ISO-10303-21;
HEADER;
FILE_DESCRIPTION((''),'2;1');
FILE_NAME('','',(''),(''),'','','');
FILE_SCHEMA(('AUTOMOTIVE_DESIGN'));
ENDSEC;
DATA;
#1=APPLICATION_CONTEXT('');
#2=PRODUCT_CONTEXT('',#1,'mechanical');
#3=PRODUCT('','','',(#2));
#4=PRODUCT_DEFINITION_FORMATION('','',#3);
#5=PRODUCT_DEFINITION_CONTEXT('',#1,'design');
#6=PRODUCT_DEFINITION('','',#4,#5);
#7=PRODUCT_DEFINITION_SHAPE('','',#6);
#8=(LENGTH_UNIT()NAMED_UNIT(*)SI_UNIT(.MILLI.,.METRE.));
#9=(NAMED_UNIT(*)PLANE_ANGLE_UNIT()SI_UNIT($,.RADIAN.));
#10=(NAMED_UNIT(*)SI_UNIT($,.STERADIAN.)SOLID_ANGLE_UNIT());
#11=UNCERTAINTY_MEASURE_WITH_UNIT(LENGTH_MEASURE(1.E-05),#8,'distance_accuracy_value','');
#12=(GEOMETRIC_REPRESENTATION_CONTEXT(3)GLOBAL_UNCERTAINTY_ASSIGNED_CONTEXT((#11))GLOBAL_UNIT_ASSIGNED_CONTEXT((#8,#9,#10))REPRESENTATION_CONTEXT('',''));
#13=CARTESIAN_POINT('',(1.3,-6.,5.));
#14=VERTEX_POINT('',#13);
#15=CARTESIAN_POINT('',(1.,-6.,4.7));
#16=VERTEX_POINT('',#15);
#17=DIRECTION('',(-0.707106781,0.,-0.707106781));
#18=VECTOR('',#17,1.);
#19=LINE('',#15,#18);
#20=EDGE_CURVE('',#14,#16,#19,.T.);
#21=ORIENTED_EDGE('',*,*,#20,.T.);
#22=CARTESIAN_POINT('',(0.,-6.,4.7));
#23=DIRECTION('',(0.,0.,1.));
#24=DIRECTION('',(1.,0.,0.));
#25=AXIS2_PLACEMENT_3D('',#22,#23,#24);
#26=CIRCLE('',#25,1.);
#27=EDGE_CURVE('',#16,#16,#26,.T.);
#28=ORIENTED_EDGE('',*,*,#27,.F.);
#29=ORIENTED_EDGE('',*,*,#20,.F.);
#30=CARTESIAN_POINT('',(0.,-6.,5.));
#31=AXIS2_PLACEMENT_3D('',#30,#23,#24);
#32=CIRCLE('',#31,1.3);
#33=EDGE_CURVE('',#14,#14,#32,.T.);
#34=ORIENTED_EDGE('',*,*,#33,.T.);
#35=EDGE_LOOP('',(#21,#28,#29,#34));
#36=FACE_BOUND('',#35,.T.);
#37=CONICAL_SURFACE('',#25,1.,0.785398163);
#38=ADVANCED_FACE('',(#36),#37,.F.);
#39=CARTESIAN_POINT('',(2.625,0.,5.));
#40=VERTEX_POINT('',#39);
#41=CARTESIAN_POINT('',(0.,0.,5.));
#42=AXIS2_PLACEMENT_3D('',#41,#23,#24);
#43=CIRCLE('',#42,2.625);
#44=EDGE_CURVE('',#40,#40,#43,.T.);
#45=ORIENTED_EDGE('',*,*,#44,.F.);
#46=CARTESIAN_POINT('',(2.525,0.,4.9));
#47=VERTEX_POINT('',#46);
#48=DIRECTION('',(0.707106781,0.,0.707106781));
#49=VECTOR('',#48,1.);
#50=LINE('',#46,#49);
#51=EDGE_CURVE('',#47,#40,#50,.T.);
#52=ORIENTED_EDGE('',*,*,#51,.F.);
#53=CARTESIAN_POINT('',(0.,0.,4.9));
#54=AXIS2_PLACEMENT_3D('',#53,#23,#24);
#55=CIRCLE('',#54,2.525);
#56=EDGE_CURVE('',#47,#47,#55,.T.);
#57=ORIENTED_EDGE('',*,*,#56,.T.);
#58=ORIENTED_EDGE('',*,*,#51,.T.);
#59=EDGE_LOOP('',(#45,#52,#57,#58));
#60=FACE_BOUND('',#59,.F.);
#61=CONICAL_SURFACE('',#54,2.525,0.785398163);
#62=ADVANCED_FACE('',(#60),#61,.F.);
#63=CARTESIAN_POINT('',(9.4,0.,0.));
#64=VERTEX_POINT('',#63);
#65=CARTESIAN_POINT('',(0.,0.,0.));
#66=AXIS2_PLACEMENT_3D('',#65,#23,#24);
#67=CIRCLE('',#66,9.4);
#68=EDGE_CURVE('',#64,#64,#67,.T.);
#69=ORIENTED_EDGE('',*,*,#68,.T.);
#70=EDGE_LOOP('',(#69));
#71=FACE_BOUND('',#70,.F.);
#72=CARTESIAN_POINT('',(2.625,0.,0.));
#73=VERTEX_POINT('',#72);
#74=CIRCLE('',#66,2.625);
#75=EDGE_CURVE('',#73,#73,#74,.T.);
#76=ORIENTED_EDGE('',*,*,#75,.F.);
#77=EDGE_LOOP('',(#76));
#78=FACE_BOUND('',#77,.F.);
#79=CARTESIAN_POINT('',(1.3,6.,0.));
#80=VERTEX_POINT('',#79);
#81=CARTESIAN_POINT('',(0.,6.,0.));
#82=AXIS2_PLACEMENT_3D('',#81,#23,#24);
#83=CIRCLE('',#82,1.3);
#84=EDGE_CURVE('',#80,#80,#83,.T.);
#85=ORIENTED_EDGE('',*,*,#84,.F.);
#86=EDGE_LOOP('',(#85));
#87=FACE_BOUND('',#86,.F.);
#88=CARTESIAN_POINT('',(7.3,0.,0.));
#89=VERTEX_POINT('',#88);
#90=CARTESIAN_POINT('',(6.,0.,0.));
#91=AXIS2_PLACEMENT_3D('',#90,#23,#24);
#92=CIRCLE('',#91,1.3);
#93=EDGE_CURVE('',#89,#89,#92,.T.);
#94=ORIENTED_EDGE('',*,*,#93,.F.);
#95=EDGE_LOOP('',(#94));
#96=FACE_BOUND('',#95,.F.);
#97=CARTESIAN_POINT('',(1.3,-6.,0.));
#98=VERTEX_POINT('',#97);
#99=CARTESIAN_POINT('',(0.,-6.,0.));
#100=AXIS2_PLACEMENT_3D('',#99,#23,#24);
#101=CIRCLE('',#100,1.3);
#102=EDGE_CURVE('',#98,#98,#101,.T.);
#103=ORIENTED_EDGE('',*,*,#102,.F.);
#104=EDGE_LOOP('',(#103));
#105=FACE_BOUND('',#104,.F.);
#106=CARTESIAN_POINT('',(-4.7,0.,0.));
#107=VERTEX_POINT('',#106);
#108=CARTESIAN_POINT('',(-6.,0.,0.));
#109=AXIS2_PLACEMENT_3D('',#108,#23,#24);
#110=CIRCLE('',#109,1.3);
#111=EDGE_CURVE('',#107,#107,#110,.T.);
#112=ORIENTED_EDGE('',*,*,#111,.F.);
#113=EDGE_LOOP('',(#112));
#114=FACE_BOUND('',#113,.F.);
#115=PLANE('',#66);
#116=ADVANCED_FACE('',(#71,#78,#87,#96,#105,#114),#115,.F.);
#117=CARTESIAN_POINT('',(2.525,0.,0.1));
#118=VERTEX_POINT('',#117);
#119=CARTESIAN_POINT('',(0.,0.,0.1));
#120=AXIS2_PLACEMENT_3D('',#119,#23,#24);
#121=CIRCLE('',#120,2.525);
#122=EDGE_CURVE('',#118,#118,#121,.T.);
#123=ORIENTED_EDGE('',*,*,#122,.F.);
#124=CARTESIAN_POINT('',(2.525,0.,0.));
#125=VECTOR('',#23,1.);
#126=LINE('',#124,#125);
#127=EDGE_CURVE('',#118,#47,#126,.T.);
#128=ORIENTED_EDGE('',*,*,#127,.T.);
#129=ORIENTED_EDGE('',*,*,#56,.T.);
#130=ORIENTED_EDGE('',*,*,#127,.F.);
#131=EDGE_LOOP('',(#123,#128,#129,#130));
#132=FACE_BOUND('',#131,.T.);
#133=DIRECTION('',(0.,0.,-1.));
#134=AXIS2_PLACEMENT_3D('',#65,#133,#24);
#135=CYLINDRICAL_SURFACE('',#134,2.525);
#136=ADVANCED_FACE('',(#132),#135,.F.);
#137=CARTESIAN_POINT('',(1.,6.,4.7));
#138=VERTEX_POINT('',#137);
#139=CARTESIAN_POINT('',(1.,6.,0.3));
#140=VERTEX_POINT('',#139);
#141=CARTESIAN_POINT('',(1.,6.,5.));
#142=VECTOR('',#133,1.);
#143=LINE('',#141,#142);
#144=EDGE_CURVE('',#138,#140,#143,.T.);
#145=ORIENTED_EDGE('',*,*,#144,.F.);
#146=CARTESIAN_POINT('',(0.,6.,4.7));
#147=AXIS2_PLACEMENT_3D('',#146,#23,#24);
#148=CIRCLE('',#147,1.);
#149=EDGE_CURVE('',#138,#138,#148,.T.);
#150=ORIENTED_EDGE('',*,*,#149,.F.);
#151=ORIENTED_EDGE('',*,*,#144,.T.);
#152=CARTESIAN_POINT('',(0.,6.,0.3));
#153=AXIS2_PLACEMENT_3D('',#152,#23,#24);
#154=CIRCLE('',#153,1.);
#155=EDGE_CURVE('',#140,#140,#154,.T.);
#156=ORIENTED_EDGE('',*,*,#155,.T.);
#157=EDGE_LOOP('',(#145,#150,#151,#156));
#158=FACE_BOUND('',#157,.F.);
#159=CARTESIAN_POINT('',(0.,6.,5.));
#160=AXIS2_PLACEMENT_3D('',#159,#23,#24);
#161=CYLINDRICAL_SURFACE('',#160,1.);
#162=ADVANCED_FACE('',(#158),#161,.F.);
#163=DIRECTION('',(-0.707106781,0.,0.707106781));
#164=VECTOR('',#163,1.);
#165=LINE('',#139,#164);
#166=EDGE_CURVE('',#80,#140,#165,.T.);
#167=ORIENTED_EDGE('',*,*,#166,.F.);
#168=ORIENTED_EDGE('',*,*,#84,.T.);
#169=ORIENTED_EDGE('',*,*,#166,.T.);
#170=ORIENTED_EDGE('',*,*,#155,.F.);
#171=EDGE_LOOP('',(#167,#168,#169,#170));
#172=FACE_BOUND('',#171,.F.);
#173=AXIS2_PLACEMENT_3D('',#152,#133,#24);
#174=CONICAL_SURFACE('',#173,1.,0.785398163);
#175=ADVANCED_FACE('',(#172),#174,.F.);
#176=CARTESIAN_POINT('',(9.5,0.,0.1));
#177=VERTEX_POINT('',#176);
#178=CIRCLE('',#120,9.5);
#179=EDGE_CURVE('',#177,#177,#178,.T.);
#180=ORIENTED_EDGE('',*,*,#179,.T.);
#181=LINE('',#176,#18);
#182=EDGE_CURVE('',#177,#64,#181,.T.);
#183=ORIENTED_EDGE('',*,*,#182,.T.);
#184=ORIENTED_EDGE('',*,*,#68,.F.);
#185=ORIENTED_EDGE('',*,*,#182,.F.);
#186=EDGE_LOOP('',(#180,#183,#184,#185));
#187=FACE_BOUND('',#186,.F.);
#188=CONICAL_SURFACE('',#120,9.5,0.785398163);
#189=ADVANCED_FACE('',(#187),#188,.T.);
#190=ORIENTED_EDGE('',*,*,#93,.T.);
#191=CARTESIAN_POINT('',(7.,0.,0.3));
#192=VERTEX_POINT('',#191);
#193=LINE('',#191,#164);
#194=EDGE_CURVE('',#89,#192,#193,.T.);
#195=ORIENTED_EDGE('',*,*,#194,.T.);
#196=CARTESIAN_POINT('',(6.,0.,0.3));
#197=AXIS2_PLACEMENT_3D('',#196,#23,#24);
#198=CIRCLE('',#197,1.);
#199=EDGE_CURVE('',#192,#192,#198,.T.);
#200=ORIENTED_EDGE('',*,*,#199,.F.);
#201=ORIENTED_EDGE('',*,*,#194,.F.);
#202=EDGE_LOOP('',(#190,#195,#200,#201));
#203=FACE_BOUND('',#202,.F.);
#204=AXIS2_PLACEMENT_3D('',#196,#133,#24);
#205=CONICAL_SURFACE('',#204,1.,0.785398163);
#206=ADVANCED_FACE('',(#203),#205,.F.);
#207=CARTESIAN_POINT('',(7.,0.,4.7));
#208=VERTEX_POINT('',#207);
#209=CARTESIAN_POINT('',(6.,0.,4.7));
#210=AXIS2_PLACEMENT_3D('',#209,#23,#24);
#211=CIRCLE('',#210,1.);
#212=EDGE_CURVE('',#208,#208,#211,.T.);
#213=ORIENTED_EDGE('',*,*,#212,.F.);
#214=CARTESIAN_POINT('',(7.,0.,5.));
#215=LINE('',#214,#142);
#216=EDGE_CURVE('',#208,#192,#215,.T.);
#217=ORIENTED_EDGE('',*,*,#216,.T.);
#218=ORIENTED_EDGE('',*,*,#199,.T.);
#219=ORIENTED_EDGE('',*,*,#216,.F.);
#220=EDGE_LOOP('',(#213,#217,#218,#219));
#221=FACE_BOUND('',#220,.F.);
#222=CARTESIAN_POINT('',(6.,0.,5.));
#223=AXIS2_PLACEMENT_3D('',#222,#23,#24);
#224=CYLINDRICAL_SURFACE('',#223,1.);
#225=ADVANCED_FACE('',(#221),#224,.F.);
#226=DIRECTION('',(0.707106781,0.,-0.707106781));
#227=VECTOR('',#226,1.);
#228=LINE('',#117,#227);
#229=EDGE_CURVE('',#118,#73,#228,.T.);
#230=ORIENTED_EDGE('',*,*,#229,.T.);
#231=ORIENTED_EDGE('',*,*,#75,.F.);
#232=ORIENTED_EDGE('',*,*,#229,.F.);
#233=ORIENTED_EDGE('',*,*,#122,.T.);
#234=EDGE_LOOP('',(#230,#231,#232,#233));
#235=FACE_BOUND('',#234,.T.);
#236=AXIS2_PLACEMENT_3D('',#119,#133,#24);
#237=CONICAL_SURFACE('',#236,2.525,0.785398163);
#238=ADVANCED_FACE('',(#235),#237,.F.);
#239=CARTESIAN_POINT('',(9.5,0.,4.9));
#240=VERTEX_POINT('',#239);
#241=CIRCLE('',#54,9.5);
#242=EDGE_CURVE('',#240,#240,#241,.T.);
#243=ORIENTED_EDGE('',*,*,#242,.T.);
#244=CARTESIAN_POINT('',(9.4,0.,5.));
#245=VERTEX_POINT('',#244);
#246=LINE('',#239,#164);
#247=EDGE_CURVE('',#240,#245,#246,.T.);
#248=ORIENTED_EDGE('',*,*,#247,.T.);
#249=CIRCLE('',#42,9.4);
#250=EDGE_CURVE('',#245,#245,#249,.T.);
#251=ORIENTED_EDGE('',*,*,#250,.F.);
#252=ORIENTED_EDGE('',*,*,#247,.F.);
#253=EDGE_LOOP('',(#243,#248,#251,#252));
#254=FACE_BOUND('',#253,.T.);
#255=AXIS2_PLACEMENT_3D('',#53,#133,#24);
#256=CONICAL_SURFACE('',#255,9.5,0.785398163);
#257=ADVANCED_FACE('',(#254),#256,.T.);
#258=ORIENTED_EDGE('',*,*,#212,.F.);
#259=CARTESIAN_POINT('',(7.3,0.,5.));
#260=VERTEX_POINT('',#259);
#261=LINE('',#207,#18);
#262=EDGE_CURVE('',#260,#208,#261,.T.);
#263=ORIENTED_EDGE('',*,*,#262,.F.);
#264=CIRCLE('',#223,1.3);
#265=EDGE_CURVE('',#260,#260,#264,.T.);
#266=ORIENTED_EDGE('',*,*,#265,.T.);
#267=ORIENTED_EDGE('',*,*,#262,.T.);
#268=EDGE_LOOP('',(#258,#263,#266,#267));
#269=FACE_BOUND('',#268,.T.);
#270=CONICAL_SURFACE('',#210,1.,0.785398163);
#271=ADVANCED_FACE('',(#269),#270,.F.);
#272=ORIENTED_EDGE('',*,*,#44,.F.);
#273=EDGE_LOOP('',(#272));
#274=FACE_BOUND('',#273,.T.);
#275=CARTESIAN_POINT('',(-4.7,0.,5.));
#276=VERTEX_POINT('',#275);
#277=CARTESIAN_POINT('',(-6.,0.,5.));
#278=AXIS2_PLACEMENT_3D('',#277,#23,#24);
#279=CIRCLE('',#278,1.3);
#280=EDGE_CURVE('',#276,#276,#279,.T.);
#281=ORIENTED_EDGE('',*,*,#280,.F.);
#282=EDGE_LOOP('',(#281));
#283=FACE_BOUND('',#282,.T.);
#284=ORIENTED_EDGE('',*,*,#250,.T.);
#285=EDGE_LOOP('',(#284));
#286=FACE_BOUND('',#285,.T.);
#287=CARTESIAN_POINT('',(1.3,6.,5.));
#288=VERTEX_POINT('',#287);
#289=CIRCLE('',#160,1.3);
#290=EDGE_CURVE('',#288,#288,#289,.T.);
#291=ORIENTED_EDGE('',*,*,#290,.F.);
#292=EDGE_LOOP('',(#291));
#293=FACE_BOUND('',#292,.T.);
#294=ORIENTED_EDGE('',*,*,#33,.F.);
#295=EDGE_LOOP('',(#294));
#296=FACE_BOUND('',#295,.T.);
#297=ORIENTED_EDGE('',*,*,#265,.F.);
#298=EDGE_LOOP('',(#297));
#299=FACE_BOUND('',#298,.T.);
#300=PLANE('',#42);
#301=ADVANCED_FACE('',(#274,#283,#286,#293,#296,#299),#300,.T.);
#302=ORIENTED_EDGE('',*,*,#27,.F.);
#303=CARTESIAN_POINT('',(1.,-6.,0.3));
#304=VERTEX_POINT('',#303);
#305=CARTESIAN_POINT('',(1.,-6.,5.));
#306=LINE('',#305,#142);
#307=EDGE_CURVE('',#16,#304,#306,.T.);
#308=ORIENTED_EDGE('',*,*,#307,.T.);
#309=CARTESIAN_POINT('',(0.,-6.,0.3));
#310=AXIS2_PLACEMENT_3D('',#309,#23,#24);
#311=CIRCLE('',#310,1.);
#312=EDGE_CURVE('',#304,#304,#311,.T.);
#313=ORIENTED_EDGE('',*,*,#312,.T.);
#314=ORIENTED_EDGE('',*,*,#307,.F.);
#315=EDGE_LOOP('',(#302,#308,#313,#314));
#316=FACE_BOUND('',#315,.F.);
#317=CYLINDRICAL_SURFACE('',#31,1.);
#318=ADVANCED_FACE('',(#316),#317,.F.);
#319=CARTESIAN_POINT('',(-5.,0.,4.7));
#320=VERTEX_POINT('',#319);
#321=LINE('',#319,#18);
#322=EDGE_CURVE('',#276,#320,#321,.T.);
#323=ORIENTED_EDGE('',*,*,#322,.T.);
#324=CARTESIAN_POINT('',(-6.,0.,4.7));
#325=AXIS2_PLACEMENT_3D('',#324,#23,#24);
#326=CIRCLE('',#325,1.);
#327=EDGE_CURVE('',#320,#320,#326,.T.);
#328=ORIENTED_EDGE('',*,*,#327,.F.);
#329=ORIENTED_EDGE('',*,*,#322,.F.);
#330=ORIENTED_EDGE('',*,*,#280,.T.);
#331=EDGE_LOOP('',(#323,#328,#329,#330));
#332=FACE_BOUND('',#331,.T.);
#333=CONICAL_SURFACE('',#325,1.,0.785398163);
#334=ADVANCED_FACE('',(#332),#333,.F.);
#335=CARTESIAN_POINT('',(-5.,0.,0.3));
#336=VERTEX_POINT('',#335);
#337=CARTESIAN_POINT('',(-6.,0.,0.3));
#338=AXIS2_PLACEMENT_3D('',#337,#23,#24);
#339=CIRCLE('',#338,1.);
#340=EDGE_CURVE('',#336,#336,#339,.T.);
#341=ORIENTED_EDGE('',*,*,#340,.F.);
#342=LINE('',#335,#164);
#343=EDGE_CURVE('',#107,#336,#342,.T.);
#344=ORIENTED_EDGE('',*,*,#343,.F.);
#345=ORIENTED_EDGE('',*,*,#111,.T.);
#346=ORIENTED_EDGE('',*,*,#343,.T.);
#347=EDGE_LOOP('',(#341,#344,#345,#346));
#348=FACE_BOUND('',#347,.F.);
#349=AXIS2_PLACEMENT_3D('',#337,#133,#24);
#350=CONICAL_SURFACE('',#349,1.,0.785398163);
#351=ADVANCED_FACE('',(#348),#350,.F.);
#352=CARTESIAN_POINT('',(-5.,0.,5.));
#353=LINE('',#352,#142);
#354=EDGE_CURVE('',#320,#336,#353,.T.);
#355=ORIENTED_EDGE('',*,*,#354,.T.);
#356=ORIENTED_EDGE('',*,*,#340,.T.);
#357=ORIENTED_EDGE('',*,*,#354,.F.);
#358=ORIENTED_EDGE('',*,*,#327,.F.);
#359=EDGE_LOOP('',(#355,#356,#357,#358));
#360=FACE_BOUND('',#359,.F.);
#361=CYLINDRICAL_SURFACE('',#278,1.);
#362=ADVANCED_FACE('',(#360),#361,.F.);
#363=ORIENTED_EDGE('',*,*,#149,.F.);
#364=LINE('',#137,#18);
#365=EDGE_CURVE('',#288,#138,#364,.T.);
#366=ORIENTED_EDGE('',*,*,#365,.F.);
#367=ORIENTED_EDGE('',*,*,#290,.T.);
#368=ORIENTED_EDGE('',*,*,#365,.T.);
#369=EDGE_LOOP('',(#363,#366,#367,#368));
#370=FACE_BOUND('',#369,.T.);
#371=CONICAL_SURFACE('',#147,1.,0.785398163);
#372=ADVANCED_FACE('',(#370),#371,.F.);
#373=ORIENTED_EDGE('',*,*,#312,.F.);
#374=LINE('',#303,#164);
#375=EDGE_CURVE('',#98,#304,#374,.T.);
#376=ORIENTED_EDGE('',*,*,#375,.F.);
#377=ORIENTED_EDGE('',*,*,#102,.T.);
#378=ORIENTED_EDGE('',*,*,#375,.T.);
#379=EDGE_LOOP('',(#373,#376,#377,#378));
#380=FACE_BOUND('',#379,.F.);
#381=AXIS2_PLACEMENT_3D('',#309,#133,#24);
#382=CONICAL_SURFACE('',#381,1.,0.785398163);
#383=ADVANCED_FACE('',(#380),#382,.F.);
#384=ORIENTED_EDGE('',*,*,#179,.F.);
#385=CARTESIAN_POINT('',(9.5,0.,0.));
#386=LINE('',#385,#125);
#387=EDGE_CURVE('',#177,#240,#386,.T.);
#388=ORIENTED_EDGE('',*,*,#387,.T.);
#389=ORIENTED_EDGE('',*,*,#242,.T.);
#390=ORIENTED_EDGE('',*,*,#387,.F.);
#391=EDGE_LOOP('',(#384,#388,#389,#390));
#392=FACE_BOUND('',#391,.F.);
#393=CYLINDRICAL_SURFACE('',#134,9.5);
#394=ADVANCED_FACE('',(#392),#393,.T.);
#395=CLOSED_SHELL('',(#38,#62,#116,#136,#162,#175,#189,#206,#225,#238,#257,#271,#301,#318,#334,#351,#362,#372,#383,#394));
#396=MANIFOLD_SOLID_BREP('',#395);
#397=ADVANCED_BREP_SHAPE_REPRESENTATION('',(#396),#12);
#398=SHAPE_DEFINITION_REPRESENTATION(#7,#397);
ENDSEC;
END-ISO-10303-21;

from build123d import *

# Parameters (mm, degrees)
F0_R     = 9.5
F0_R_2   = 2.525
F1_DEPTH = 5
F2_SIZE  = 0.1
F3_R     = 1
F4_DEPTH = 5.001
F5_SIZE  = 0.3


with BuildPart() as f1:
    # F0 (on Top) → F1 (new body)
    with BuildSketch(Plane.XY):
        Circle(F0_R)
        Circle(F0_R_2, mode=Mode.SUBTRACT)
    extrude(amount=F1_DEPTH)

    # F2
    f2_edges = [f1.edges().sort_by_distance(p)[0] for p in [
        (-9.5, 0, 5),
        (-9.5, 0, 0),
        (-2.525, 0, 5),
        (-2.525, 0, 0),
    ]]
    chamfer(f2_edges, length=F2_SIZE)

    # F3 (on face) → F4 (cut, through all)
    with BuildSketch(Plane.XY.offset(5)):
        with Locations((0, 6)):
            Circle(F3_R)
        with Locations((-6, 0)):
            Circle(F3_R)
        with Locations((0, -6)):
            Circle(F3_R)
        with Locations((6, 0)):
            Circle(F3_R)
    extrude(amount=-F4_DEPTH, mode=Mode.SUBTRACT)

    # F5
    f5_edges = [f1.edges().sort_by_distance(p)[0] for p in [
        (-1, 6, 5),
        (5, 0, 5),
        (-1, -6, 5),
        (-7, 0, 5),
        (-7, 0, 0),
        (-1, 6, 0),
        (5, 0, 0),
        (-1, -6, 0),
    ]]
    chamfer(f5_edges, length=F5_SIZE)


solid = f1.part
